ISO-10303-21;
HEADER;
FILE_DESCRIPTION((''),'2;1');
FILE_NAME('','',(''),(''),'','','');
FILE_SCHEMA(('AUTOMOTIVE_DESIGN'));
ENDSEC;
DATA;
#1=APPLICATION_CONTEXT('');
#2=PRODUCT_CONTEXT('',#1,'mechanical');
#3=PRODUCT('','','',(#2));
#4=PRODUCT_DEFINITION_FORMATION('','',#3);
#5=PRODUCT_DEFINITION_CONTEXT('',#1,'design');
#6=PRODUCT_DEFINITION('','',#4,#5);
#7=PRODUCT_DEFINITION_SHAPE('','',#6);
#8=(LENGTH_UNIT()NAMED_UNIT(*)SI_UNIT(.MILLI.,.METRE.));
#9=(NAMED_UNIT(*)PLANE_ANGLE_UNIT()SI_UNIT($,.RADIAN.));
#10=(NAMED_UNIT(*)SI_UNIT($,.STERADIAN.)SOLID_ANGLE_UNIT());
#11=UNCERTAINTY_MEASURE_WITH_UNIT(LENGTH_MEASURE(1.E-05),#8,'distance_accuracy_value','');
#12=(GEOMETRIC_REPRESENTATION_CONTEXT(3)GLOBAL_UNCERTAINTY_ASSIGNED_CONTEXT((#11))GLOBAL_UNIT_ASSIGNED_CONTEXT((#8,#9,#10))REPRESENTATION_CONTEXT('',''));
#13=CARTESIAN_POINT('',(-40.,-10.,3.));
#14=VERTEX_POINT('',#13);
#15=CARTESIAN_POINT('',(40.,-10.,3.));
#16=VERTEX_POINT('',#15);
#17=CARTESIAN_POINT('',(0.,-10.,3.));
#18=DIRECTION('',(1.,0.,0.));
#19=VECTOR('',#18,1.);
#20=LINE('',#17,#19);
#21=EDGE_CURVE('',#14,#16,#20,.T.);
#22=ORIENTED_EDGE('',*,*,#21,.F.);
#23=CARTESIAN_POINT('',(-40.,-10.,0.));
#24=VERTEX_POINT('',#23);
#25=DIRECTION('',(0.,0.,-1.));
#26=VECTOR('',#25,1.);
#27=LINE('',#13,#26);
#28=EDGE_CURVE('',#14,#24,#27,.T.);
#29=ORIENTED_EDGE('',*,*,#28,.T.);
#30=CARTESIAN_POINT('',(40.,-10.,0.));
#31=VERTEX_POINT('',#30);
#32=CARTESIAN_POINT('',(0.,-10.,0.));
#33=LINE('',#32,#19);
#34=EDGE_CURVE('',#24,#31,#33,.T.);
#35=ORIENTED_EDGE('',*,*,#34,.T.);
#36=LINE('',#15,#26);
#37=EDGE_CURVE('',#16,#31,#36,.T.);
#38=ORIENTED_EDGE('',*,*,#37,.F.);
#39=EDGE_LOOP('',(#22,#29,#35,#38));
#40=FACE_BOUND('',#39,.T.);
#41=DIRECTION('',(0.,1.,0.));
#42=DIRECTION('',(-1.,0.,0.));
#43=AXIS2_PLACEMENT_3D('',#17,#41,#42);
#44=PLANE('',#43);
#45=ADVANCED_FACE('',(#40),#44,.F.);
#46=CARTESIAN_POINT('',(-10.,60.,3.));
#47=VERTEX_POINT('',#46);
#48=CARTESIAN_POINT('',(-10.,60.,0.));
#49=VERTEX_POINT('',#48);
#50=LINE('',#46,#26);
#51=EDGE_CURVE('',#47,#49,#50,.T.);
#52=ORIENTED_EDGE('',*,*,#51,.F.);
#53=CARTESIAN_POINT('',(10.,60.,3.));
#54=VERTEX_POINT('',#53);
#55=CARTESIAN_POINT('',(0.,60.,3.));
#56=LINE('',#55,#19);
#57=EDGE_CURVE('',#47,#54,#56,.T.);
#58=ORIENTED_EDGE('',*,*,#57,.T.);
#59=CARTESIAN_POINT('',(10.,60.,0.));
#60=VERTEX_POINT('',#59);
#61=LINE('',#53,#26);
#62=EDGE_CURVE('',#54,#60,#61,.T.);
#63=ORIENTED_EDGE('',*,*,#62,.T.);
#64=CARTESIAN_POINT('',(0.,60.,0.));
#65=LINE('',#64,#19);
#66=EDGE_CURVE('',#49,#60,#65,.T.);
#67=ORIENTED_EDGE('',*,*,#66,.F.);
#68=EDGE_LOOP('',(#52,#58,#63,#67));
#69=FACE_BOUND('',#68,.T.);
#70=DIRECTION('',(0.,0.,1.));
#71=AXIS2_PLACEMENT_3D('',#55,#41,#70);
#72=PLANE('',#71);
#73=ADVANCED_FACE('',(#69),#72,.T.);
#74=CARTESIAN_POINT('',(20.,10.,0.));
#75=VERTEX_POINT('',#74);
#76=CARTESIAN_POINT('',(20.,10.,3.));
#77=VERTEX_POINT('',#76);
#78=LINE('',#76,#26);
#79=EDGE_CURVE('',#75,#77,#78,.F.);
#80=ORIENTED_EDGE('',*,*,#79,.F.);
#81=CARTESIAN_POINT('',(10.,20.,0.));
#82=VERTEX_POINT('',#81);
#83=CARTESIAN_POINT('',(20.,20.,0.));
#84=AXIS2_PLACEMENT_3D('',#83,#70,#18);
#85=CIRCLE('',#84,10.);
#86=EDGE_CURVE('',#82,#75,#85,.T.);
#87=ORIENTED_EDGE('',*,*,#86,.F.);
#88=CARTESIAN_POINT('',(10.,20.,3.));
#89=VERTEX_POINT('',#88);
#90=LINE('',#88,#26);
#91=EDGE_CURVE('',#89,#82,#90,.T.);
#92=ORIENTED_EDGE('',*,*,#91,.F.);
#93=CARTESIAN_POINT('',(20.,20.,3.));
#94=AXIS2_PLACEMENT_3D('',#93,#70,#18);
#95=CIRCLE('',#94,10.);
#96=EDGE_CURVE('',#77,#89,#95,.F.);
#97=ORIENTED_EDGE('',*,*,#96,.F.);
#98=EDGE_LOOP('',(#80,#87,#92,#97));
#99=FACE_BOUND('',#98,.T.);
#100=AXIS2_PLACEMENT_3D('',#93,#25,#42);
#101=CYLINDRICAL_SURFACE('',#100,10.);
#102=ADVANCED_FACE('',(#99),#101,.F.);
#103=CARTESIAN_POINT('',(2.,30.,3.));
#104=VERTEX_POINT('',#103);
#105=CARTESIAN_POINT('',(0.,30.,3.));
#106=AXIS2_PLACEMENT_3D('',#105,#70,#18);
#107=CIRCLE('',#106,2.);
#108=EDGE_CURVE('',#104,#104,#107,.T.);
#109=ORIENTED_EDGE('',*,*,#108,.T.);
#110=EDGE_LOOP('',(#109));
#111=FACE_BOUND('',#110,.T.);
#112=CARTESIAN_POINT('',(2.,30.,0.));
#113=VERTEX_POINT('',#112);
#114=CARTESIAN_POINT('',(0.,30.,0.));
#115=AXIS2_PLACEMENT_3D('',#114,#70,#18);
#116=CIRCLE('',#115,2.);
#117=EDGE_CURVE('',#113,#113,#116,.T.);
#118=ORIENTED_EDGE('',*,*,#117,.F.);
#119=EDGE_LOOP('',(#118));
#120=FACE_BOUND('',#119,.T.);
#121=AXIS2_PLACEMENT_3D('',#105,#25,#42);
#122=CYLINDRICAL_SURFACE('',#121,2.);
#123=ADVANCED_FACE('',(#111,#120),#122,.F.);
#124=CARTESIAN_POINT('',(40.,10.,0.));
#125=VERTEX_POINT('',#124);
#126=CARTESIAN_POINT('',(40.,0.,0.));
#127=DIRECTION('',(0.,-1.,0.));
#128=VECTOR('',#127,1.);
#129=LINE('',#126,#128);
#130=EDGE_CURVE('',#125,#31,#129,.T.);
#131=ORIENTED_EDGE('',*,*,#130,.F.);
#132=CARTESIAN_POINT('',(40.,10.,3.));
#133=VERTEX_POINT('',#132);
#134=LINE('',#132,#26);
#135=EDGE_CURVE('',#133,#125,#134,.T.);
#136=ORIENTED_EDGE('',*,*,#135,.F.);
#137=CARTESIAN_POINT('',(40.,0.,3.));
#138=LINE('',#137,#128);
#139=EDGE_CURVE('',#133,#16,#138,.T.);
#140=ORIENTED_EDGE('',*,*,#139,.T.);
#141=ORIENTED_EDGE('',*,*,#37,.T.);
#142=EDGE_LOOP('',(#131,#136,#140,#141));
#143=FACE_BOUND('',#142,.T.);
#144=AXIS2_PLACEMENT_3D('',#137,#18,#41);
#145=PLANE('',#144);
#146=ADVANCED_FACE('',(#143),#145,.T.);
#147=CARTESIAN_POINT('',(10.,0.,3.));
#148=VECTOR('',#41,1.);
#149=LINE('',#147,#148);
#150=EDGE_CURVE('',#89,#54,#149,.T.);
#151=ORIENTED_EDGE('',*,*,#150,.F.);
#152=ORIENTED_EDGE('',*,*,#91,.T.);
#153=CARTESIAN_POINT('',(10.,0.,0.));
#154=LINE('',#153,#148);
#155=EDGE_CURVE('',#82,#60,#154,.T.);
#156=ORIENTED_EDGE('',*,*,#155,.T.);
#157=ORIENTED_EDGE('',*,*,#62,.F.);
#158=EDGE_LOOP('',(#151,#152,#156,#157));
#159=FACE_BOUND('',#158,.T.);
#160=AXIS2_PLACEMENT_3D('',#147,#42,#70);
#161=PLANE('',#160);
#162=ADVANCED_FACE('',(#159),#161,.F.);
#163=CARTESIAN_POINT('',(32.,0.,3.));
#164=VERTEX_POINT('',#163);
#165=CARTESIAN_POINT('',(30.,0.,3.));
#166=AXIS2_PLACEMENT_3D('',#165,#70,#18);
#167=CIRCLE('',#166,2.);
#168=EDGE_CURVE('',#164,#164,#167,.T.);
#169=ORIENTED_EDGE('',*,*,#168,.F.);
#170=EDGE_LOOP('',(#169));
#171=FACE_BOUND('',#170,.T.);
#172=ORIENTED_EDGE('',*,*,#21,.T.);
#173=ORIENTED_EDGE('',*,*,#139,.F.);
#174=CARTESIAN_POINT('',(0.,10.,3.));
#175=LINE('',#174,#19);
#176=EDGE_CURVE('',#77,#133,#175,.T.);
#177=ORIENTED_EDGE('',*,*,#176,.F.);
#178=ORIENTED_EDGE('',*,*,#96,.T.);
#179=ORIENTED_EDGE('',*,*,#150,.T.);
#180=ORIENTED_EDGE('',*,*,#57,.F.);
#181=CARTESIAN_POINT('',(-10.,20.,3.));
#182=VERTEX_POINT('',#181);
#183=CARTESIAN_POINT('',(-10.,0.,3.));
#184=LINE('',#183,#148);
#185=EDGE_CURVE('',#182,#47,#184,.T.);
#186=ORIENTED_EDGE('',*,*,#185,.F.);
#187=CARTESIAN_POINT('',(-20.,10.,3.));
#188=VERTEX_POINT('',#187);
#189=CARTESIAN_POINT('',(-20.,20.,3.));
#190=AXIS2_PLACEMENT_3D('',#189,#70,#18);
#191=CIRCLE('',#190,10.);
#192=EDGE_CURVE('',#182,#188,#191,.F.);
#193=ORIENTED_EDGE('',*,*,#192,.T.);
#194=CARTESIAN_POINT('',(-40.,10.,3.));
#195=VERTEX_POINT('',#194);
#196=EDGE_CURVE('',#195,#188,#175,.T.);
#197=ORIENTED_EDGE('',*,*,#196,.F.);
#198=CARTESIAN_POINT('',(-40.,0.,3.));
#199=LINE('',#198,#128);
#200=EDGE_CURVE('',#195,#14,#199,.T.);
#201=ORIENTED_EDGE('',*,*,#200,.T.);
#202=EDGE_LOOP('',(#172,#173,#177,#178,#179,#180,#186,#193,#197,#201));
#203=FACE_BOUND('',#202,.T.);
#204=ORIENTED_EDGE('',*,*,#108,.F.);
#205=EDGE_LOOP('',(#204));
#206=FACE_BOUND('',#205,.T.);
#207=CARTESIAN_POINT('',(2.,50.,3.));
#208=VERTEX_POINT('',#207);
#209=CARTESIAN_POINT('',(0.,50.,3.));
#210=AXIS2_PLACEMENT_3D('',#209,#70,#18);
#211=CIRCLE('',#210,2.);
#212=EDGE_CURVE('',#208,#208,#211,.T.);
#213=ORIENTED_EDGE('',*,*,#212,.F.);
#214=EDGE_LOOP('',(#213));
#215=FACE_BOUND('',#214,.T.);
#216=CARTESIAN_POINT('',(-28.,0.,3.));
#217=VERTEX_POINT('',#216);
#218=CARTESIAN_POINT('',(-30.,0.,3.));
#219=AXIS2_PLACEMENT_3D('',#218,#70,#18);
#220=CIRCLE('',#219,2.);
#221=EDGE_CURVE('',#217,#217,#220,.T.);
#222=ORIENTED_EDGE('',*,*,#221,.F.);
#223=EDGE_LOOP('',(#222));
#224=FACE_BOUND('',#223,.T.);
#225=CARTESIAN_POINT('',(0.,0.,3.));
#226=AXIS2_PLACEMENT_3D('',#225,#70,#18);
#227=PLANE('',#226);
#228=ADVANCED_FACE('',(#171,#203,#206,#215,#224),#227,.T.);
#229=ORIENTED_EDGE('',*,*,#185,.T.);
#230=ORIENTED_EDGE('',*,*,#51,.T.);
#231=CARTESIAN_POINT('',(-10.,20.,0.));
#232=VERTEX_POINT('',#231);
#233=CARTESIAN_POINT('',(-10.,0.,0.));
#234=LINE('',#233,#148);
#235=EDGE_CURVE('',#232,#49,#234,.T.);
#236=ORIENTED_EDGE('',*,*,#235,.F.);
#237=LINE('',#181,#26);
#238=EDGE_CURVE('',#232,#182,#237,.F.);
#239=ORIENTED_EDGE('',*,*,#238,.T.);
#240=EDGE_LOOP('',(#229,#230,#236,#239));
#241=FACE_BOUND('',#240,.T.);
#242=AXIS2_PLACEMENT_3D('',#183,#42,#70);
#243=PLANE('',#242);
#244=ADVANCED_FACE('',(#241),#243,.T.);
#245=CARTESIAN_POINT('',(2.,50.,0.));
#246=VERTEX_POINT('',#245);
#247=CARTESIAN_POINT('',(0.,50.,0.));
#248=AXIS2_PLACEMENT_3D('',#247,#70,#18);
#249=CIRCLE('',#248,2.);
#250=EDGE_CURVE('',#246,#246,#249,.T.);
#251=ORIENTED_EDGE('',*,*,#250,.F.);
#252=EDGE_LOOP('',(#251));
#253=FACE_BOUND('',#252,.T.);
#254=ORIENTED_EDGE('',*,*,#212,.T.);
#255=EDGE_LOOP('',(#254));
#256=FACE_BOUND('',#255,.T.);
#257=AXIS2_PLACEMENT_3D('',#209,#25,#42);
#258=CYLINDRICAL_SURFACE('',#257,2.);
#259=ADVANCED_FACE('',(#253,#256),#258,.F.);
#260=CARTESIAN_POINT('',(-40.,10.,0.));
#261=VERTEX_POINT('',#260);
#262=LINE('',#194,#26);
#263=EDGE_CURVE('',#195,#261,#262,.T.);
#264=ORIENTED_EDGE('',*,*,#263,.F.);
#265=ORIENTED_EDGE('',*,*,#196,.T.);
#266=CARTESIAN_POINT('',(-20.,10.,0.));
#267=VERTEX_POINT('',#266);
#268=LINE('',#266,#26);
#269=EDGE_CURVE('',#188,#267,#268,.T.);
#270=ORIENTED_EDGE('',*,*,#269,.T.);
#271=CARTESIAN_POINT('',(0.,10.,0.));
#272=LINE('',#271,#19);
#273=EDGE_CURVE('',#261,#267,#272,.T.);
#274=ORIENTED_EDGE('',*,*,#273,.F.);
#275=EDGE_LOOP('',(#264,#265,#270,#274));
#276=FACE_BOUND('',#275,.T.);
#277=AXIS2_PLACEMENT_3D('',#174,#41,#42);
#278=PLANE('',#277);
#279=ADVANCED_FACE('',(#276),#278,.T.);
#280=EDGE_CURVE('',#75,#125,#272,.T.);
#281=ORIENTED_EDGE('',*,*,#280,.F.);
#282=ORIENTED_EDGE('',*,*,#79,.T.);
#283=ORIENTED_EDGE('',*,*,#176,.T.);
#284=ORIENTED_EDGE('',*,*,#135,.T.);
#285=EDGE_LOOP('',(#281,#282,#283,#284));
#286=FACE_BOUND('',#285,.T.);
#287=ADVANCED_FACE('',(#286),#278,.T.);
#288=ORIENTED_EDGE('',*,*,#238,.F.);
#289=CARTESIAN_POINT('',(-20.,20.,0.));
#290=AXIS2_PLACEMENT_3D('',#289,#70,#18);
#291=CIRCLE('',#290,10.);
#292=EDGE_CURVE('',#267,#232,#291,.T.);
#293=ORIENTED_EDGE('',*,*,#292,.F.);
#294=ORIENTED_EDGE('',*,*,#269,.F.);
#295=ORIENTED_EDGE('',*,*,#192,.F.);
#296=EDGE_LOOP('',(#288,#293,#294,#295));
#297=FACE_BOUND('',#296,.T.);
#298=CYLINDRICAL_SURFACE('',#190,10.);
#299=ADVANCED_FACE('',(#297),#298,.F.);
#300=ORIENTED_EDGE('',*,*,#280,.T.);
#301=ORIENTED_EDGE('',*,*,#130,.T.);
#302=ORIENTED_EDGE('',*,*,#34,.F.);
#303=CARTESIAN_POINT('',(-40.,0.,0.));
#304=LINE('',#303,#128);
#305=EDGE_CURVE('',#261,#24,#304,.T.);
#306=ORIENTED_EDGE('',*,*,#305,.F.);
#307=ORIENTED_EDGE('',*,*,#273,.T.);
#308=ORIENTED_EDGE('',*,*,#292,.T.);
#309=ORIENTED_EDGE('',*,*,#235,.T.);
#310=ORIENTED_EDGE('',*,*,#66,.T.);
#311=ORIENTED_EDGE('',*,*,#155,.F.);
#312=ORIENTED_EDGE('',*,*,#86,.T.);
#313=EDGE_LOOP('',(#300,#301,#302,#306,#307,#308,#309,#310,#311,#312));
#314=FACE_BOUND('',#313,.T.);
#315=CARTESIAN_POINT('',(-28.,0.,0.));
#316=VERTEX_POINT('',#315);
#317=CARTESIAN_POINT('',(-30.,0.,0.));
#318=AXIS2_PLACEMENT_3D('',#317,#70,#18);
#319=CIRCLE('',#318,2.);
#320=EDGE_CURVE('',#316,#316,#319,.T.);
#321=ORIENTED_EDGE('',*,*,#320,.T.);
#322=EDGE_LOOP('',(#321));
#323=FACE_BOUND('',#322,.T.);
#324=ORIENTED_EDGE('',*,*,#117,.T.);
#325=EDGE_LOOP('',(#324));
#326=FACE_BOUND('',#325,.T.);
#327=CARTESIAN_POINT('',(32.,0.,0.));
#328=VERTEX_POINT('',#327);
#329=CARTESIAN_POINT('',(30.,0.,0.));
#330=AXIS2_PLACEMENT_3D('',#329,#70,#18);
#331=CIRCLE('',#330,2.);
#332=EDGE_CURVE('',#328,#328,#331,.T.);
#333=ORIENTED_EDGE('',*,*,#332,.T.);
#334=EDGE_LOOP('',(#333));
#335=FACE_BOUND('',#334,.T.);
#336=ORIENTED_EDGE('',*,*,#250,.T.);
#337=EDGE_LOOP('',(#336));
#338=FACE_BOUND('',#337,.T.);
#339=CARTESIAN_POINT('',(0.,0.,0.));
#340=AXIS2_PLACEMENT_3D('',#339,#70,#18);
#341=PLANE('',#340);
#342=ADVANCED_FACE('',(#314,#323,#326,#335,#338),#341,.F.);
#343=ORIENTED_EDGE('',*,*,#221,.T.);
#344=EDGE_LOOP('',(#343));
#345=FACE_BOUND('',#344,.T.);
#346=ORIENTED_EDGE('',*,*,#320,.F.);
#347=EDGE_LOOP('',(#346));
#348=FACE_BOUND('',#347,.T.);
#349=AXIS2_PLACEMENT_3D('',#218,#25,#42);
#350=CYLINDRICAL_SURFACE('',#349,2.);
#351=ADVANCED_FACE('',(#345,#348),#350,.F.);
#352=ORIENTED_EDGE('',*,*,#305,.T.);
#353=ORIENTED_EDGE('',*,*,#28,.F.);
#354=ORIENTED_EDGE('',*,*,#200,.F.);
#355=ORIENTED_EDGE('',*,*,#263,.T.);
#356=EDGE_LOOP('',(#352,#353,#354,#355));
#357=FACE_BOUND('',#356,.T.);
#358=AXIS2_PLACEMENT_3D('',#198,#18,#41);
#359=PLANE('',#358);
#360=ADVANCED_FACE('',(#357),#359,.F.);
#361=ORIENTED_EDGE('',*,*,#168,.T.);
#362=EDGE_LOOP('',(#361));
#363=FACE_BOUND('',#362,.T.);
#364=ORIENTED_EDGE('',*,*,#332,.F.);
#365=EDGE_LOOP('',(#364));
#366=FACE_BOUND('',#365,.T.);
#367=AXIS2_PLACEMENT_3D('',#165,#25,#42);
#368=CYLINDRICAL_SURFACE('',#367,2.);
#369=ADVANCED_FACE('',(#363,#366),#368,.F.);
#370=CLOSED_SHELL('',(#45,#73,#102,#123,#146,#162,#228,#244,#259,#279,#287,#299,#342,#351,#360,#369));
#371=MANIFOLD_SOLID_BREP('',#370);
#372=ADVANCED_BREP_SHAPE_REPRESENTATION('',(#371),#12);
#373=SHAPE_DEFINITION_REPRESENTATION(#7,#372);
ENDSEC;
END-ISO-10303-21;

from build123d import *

# Parameters (mm, degrees)
SKETCH_1_W      = 20
SKETCH_1_H      = 50
SKETCH_1_R      = 2
SKETCH_1_W_2    = 80
SKETCH_1_H_2    = 20
EXTRUDE_1_DEPTH = 3
FILLET_1_R      = 10


with BuildPart() as part:
    # 草图1 → 凸台-拉伸1 (new body)
    # profile 1 of 2: a face of its own
    with BuildSketch(Plane.XY):
        with Locations((0, 35)):
            Rectangle(SKETCH_1_W, SKETCH_1_H)
        with Locations((0, 30)):
            Circle(SKETCH_1_R, mode=Mode.SUBTRACT)
        with Locations((0, 50)):
            Circle(SKETCH_1_R, mode=Mode.SUBTRACT)
    # profile 2 of 2: a face of its own
    with BuildSketch(Plane.XY):
        Rectangle(SKETCH_1_W_2, SKETCH_1_H_2)
        with Locations((30, 0)):
            Circle(SKETCH_1_R, mode=Mode.SUBTRACT)
        with Locations((-30, 0)):
            Circle(SKETCH_1_R, mode=Mode.SUBTRACT)
    extrude(amount=EXTRUDE_1_DEPTH)

    # 圆角1
    fillet_1_edges = [part.edges().sort_by_distance(p)[0] for p in [
        (10, 10, 1.5),
        (-10, 10, 1.5),
    ]]
    fillet(fillet_1_edges, radius=FILLET_1_R)


solid = part.part
